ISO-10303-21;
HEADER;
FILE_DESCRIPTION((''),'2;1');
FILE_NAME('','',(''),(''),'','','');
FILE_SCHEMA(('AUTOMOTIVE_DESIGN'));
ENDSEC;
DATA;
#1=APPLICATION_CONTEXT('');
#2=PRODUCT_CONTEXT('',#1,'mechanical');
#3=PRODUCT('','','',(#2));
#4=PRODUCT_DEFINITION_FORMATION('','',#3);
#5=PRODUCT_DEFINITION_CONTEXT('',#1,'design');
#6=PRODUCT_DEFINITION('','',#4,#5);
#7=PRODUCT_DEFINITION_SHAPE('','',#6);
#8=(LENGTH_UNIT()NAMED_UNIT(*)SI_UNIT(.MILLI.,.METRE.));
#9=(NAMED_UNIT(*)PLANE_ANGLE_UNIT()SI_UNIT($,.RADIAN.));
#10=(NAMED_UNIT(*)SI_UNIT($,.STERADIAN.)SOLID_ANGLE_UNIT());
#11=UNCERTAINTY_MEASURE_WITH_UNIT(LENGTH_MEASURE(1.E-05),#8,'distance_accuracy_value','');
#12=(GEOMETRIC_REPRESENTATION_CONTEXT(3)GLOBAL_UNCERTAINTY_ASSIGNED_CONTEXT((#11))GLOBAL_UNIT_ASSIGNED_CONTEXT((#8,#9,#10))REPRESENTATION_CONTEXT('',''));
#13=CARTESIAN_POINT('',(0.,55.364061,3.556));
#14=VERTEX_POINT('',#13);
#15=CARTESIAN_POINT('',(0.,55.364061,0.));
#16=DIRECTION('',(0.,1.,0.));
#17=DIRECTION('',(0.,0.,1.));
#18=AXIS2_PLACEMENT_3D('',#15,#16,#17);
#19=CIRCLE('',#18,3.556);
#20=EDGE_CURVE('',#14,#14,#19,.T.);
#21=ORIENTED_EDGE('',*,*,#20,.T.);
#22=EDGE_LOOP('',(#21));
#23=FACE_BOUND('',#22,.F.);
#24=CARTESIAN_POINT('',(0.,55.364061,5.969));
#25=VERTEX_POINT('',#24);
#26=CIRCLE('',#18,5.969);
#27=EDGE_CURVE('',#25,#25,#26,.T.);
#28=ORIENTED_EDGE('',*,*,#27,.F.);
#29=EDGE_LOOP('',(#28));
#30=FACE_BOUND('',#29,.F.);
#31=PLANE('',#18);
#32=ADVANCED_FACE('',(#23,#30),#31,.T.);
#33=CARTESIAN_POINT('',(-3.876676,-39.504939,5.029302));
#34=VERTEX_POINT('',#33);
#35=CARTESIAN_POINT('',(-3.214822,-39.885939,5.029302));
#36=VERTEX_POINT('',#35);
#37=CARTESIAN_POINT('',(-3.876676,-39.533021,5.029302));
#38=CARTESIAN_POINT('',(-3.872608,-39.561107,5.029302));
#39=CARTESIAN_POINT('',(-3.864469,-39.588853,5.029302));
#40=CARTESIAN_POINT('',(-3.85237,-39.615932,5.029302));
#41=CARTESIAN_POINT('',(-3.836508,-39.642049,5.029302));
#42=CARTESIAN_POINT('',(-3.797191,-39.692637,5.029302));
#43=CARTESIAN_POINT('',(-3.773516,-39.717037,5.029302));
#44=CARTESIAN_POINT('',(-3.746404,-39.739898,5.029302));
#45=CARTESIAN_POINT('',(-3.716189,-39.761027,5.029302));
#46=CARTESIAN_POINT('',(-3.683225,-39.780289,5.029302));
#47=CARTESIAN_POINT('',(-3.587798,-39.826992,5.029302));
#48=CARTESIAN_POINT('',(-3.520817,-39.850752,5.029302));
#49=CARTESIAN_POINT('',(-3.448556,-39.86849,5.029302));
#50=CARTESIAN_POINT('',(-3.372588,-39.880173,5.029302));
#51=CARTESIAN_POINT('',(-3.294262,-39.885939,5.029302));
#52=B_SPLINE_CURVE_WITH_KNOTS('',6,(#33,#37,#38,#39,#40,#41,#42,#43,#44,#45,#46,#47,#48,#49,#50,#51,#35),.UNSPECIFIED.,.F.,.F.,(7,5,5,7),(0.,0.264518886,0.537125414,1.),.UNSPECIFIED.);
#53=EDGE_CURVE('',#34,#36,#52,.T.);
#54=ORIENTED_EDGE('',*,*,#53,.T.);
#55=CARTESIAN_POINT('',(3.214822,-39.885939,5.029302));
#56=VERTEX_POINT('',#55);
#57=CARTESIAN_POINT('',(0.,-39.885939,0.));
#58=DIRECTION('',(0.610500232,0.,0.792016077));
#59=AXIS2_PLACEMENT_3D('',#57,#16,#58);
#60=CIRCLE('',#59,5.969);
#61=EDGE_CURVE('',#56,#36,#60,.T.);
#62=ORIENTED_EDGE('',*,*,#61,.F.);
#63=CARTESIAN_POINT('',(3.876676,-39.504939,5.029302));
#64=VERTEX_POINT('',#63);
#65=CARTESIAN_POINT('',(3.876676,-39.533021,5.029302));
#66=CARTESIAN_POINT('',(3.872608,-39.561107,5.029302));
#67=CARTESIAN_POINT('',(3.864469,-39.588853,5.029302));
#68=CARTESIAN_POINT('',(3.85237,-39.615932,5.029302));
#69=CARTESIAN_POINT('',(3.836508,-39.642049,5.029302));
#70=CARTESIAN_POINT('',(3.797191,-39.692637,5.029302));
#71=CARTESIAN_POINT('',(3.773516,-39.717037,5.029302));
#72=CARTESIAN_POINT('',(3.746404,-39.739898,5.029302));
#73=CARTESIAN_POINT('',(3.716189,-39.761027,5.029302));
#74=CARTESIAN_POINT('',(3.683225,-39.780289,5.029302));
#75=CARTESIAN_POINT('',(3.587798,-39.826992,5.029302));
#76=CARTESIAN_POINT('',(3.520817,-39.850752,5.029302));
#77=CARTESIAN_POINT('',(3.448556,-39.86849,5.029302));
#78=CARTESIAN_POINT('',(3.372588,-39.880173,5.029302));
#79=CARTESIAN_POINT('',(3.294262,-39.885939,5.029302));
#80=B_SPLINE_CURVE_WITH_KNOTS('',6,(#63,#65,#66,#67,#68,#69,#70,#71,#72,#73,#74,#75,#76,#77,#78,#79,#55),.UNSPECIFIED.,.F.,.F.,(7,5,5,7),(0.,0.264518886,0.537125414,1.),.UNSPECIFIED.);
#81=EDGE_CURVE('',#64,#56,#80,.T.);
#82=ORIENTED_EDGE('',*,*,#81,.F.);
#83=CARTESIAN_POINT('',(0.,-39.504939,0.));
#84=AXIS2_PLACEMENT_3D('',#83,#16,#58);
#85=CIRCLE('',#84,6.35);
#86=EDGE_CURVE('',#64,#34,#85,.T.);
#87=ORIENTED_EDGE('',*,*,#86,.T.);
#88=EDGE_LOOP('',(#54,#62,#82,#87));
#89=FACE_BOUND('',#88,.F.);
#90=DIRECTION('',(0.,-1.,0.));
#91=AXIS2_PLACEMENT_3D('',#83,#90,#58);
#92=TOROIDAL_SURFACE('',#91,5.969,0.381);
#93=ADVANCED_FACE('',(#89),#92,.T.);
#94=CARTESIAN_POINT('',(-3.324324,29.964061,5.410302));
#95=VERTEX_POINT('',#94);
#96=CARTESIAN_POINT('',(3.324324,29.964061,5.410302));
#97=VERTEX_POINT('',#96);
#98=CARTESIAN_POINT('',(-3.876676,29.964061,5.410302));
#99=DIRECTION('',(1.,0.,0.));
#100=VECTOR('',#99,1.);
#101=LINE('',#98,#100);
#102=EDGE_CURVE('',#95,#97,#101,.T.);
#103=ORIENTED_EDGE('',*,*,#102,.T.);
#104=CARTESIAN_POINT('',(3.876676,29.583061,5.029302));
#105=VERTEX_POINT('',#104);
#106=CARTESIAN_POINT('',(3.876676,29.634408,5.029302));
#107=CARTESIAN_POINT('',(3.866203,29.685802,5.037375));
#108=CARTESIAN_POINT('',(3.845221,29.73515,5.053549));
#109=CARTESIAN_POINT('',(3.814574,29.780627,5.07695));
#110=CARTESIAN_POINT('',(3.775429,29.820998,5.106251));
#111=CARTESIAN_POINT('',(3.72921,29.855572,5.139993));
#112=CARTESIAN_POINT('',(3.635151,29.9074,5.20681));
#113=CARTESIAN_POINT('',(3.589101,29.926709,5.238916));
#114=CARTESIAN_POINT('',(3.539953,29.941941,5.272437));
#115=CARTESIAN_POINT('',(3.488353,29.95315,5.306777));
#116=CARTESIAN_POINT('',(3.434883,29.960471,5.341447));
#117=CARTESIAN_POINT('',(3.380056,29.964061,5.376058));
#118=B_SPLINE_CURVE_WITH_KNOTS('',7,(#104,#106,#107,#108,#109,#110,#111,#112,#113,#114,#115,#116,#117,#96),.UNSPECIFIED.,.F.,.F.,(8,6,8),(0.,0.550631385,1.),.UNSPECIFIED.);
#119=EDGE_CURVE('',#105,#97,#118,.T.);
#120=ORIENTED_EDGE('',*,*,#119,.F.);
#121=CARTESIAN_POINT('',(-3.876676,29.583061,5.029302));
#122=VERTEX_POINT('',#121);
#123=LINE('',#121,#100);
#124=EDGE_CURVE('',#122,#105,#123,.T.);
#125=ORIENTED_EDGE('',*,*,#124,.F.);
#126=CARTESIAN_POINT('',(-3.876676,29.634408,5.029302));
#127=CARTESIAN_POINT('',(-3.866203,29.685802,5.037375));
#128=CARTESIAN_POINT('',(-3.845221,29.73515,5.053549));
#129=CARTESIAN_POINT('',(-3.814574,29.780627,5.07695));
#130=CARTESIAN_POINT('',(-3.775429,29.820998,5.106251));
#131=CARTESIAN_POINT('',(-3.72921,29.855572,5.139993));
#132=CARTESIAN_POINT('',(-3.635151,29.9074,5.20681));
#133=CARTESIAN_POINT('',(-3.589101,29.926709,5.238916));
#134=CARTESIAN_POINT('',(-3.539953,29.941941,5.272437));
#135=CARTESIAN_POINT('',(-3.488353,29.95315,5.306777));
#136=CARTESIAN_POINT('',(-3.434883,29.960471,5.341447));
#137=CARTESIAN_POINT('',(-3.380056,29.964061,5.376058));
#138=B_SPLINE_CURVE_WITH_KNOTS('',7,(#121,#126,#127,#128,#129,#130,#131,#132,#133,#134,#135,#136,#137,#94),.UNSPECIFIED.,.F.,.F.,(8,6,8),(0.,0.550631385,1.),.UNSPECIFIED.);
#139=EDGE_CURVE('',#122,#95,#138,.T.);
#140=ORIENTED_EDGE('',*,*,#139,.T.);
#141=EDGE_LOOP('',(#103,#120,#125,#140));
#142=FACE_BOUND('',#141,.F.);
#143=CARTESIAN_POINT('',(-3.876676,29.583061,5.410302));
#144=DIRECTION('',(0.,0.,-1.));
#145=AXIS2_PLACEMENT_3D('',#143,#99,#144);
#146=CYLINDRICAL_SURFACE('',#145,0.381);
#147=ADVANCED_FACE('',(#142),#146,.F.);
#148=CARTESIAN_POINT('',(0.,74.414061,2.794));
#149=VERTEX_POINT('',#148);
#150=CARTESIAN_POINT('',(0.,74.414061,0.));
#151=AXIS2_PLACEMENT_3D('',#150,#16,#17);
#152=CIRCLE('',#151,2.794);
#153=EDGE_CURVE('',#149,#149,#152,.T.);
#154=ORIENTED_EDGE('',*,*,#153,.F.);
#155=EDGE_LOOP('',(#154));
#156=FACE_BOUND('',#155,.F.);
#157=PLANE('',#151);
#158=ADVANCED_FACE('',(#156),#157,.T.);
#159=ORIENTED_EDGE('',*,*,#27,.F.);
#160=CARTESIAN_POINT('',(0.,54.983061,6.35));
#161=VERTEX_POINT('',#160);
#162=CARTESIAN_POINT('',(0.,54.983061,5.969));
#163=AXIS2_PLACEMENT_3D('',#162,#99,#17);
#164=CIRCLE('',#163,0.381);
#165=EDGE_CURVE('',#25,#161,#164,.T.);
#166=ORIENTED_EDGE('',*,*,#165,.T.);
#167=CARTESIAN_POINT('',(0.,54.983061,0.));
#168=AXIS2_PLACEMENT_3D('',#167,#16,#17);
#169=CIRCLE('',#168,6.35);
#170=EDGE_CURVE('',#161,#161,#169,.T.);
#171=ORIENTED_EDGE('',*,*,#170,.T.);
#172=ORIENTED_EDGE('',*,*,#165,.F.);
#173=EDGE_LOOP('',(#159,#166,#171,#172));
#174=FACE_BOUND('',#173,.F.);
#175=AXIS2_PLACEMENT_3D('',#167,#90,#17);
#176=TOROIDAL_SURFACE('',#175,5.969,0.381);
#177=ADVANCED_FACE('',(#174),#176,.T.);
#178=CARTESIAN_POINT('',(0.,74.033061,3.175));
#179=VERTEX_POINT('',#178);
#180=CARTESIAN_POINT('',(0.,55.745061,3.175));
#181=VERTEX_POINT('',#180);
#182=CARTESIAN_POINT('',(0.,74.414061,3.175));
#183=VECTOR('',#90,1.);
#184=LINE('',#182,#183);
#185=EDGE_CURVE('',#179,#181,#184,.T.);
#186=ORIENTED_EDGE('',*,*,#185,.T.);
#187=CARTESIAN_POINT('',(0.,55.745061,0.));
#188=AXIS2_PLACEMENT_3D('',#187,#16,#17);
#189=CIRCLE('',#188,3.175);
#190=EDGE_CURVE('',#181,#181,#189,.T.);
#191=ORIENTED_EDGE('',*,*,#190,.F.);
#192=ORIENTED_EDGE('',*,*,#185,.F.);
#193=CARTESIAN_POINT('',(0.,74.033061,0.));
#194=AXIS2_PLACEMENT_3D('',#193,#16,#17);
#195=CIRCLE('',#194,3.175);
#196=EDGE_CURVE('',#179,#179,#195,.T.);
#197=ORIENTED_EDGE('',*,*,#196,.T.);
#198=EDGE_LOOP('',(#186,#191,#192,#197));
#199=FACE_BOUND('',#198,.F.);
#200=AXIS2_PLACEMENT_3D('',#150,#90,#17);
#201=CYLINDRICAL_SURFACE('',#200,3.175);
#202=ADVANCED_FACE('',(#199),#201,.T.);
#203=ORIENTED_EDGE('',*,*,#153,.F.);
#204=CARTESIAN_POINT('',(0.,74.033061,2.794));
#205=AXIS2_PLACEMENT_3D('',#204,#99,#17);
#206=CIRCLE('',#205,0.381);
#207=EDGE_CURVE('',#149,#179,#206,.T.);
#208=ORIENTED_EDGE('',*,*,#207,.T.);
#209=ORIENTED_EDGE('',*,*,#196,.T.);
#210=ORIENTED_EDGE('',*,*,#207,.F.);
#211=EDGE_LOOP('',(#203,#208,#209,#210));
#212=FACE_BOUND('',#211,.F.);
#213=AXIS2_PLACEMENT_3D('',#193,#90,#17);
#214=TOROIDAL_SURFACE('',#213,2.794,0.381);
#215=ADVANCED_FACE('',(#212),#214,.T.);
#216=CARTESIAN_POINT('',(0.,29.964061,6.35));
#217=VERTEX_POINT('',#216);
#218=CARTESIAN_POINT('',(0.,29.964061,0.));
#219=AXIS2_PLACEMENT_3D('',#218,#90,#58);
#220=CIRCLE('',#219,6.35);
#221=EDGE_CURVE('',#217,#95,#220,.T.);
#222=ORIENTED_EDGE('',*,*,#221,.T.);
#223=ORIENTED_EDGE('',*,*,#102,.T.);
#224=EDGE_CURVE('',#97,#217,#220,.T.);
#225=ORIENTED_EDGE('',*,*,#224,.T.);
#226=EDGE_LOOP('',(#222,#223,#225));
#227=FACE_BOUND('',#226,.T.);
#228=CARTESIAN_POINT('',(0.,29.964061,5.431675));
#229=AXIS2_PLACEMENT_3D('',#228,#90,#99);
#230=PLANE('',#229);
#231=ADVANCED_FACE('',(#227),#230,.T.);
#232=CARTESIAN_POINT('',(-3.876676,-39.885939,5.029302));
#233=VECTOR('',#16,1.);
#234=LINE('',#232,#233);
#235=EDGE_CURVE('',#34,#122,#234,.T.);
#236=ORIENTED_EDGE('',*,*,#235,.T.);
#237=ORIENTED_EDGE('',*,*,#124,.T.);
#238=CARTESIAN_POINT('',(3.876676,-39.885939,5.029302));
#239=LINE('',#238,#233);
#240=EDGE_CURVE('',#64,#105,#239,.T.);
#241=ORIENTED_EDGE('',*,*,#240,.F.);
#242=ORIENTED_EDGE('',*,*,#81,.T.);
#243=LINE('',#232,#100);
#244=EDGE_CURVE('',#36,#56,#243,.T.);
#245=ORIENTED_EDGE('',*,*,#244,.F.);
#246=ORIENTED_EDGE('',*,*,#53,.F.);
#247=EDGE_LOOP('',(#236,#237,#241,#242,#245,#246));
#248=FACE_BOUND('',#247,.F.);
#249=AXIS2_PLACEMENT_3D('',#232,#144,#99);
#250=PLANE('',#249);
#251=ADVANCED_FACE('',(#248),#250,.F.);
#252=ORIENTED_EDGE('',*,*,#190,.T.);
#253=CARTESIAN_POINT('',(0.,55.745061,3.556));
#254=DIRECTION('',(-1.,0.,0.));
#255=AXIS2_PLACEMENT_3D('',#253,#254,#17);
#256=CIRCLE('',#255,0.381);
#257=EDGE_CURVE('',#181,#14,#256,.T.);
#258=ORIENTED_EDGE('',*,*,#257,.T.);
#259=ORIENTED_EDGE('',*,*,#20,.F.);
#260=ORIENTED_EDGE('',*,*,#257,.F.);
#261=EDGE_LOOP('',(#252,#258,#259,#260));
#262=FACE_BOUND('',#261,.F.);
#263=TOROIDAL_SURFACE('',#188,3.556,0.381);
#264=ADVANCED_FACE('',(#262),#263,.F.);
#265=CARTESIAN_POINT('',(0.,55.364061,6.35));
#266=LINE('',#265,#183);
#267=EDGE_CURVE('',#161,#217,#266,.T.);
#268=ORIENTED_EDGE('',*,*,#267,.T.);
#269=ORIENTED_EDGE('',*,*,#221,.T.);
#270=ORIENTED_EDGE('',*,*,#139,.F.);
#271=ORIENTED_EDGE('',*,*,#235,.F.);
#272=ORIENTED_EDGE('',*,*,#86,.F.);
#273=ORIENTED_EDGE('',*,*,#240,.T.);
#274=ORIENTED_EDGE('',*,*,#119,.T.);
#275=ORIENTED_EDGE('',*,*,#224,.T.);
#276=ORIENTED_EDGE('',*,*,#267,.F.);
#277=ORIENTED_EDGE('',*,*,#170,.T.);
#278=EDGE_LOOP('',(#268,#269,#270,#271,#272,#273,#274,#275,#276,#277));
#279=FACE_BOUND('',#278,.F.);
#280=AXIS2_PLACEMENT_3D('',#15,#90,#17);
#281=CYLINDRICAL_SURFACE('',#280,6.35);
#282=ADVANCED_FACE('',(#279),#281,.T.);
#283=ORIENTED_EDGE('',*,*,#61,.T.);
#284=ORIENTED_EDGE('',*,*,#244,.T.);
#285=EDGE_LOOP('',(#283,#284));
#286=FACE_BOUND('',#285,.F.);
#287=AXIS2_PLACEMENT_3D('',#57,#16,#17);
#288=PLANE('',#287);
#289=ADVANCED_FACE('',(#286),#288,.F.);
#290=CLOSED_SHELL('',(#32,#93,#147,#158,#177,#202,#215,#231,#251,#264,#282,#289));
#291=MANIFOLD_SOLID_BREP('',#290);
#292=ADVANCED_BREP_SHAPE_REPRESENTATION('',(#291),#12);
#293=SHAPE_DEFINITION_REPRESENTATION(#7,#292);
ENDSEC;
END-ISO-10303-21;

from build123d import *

# Parameters (mm, degrees)
F3_DEPTH = 69.85
F4_R     = 0.381
F5_R     = 0.381
F6_R     = 0.381


with BuildPart() as f1:
    # F0 (on Right) → F1 (revolve)
    with BuildSketch(Plane.YZ):
        Polygon((74.4140613498, 0), (74.4140613498, 3.175), (55.3640613498, 3.175), (55.3640613498, 6.35), (-39.8859386502, 6.35), (-39.8859386502, 0), align=None)
    revolve(axis=Axis((0, 17.2640613498, 0), (0, 1, 0)))

    # F2 (on face) → F3 (cut)
    with BuildSketch(Plane.XZ.offset(39.8859386502)):
        with BuildLine():
            ThreePointArc((3.8766764739, 5.0293020904), (0, 6.35), (-3.8766764739, 5.0293020904))
            Line((-3.8766764739, 5.0293020904), (3.8766764739, 5.0293020904))
        make_face()
    extrude(amount=-F3_DEPTH, mode=Mode.SUBTRACT)

    # F4
    f4_edges = [f1.edges().sort_by_distance(p)[0] for p in [
        (0, 55.364061, -6.35),
        (0, 74.414061, -3.175),
        (0, 55.364061, -3.175),
        (0, 64.889061, 3.175),
    ]]
    fillet(f4_edges, radius=F4_R)

    # F5
    f5_edges = [f1.edges().sort_by_distance(p)[0] for p in [
        (0, -39.885939, -6.35),
    ]]
    fillet(f5_edges, radius=F5_R)

    # F6
    f6_edges = [f1.edges().sort_by_distance(p)[0] for p in [
        (0, 29.964061, 5.029302),
    ]]
    fillet(f6_edges, radius=F6_R)


solid = f1.part
